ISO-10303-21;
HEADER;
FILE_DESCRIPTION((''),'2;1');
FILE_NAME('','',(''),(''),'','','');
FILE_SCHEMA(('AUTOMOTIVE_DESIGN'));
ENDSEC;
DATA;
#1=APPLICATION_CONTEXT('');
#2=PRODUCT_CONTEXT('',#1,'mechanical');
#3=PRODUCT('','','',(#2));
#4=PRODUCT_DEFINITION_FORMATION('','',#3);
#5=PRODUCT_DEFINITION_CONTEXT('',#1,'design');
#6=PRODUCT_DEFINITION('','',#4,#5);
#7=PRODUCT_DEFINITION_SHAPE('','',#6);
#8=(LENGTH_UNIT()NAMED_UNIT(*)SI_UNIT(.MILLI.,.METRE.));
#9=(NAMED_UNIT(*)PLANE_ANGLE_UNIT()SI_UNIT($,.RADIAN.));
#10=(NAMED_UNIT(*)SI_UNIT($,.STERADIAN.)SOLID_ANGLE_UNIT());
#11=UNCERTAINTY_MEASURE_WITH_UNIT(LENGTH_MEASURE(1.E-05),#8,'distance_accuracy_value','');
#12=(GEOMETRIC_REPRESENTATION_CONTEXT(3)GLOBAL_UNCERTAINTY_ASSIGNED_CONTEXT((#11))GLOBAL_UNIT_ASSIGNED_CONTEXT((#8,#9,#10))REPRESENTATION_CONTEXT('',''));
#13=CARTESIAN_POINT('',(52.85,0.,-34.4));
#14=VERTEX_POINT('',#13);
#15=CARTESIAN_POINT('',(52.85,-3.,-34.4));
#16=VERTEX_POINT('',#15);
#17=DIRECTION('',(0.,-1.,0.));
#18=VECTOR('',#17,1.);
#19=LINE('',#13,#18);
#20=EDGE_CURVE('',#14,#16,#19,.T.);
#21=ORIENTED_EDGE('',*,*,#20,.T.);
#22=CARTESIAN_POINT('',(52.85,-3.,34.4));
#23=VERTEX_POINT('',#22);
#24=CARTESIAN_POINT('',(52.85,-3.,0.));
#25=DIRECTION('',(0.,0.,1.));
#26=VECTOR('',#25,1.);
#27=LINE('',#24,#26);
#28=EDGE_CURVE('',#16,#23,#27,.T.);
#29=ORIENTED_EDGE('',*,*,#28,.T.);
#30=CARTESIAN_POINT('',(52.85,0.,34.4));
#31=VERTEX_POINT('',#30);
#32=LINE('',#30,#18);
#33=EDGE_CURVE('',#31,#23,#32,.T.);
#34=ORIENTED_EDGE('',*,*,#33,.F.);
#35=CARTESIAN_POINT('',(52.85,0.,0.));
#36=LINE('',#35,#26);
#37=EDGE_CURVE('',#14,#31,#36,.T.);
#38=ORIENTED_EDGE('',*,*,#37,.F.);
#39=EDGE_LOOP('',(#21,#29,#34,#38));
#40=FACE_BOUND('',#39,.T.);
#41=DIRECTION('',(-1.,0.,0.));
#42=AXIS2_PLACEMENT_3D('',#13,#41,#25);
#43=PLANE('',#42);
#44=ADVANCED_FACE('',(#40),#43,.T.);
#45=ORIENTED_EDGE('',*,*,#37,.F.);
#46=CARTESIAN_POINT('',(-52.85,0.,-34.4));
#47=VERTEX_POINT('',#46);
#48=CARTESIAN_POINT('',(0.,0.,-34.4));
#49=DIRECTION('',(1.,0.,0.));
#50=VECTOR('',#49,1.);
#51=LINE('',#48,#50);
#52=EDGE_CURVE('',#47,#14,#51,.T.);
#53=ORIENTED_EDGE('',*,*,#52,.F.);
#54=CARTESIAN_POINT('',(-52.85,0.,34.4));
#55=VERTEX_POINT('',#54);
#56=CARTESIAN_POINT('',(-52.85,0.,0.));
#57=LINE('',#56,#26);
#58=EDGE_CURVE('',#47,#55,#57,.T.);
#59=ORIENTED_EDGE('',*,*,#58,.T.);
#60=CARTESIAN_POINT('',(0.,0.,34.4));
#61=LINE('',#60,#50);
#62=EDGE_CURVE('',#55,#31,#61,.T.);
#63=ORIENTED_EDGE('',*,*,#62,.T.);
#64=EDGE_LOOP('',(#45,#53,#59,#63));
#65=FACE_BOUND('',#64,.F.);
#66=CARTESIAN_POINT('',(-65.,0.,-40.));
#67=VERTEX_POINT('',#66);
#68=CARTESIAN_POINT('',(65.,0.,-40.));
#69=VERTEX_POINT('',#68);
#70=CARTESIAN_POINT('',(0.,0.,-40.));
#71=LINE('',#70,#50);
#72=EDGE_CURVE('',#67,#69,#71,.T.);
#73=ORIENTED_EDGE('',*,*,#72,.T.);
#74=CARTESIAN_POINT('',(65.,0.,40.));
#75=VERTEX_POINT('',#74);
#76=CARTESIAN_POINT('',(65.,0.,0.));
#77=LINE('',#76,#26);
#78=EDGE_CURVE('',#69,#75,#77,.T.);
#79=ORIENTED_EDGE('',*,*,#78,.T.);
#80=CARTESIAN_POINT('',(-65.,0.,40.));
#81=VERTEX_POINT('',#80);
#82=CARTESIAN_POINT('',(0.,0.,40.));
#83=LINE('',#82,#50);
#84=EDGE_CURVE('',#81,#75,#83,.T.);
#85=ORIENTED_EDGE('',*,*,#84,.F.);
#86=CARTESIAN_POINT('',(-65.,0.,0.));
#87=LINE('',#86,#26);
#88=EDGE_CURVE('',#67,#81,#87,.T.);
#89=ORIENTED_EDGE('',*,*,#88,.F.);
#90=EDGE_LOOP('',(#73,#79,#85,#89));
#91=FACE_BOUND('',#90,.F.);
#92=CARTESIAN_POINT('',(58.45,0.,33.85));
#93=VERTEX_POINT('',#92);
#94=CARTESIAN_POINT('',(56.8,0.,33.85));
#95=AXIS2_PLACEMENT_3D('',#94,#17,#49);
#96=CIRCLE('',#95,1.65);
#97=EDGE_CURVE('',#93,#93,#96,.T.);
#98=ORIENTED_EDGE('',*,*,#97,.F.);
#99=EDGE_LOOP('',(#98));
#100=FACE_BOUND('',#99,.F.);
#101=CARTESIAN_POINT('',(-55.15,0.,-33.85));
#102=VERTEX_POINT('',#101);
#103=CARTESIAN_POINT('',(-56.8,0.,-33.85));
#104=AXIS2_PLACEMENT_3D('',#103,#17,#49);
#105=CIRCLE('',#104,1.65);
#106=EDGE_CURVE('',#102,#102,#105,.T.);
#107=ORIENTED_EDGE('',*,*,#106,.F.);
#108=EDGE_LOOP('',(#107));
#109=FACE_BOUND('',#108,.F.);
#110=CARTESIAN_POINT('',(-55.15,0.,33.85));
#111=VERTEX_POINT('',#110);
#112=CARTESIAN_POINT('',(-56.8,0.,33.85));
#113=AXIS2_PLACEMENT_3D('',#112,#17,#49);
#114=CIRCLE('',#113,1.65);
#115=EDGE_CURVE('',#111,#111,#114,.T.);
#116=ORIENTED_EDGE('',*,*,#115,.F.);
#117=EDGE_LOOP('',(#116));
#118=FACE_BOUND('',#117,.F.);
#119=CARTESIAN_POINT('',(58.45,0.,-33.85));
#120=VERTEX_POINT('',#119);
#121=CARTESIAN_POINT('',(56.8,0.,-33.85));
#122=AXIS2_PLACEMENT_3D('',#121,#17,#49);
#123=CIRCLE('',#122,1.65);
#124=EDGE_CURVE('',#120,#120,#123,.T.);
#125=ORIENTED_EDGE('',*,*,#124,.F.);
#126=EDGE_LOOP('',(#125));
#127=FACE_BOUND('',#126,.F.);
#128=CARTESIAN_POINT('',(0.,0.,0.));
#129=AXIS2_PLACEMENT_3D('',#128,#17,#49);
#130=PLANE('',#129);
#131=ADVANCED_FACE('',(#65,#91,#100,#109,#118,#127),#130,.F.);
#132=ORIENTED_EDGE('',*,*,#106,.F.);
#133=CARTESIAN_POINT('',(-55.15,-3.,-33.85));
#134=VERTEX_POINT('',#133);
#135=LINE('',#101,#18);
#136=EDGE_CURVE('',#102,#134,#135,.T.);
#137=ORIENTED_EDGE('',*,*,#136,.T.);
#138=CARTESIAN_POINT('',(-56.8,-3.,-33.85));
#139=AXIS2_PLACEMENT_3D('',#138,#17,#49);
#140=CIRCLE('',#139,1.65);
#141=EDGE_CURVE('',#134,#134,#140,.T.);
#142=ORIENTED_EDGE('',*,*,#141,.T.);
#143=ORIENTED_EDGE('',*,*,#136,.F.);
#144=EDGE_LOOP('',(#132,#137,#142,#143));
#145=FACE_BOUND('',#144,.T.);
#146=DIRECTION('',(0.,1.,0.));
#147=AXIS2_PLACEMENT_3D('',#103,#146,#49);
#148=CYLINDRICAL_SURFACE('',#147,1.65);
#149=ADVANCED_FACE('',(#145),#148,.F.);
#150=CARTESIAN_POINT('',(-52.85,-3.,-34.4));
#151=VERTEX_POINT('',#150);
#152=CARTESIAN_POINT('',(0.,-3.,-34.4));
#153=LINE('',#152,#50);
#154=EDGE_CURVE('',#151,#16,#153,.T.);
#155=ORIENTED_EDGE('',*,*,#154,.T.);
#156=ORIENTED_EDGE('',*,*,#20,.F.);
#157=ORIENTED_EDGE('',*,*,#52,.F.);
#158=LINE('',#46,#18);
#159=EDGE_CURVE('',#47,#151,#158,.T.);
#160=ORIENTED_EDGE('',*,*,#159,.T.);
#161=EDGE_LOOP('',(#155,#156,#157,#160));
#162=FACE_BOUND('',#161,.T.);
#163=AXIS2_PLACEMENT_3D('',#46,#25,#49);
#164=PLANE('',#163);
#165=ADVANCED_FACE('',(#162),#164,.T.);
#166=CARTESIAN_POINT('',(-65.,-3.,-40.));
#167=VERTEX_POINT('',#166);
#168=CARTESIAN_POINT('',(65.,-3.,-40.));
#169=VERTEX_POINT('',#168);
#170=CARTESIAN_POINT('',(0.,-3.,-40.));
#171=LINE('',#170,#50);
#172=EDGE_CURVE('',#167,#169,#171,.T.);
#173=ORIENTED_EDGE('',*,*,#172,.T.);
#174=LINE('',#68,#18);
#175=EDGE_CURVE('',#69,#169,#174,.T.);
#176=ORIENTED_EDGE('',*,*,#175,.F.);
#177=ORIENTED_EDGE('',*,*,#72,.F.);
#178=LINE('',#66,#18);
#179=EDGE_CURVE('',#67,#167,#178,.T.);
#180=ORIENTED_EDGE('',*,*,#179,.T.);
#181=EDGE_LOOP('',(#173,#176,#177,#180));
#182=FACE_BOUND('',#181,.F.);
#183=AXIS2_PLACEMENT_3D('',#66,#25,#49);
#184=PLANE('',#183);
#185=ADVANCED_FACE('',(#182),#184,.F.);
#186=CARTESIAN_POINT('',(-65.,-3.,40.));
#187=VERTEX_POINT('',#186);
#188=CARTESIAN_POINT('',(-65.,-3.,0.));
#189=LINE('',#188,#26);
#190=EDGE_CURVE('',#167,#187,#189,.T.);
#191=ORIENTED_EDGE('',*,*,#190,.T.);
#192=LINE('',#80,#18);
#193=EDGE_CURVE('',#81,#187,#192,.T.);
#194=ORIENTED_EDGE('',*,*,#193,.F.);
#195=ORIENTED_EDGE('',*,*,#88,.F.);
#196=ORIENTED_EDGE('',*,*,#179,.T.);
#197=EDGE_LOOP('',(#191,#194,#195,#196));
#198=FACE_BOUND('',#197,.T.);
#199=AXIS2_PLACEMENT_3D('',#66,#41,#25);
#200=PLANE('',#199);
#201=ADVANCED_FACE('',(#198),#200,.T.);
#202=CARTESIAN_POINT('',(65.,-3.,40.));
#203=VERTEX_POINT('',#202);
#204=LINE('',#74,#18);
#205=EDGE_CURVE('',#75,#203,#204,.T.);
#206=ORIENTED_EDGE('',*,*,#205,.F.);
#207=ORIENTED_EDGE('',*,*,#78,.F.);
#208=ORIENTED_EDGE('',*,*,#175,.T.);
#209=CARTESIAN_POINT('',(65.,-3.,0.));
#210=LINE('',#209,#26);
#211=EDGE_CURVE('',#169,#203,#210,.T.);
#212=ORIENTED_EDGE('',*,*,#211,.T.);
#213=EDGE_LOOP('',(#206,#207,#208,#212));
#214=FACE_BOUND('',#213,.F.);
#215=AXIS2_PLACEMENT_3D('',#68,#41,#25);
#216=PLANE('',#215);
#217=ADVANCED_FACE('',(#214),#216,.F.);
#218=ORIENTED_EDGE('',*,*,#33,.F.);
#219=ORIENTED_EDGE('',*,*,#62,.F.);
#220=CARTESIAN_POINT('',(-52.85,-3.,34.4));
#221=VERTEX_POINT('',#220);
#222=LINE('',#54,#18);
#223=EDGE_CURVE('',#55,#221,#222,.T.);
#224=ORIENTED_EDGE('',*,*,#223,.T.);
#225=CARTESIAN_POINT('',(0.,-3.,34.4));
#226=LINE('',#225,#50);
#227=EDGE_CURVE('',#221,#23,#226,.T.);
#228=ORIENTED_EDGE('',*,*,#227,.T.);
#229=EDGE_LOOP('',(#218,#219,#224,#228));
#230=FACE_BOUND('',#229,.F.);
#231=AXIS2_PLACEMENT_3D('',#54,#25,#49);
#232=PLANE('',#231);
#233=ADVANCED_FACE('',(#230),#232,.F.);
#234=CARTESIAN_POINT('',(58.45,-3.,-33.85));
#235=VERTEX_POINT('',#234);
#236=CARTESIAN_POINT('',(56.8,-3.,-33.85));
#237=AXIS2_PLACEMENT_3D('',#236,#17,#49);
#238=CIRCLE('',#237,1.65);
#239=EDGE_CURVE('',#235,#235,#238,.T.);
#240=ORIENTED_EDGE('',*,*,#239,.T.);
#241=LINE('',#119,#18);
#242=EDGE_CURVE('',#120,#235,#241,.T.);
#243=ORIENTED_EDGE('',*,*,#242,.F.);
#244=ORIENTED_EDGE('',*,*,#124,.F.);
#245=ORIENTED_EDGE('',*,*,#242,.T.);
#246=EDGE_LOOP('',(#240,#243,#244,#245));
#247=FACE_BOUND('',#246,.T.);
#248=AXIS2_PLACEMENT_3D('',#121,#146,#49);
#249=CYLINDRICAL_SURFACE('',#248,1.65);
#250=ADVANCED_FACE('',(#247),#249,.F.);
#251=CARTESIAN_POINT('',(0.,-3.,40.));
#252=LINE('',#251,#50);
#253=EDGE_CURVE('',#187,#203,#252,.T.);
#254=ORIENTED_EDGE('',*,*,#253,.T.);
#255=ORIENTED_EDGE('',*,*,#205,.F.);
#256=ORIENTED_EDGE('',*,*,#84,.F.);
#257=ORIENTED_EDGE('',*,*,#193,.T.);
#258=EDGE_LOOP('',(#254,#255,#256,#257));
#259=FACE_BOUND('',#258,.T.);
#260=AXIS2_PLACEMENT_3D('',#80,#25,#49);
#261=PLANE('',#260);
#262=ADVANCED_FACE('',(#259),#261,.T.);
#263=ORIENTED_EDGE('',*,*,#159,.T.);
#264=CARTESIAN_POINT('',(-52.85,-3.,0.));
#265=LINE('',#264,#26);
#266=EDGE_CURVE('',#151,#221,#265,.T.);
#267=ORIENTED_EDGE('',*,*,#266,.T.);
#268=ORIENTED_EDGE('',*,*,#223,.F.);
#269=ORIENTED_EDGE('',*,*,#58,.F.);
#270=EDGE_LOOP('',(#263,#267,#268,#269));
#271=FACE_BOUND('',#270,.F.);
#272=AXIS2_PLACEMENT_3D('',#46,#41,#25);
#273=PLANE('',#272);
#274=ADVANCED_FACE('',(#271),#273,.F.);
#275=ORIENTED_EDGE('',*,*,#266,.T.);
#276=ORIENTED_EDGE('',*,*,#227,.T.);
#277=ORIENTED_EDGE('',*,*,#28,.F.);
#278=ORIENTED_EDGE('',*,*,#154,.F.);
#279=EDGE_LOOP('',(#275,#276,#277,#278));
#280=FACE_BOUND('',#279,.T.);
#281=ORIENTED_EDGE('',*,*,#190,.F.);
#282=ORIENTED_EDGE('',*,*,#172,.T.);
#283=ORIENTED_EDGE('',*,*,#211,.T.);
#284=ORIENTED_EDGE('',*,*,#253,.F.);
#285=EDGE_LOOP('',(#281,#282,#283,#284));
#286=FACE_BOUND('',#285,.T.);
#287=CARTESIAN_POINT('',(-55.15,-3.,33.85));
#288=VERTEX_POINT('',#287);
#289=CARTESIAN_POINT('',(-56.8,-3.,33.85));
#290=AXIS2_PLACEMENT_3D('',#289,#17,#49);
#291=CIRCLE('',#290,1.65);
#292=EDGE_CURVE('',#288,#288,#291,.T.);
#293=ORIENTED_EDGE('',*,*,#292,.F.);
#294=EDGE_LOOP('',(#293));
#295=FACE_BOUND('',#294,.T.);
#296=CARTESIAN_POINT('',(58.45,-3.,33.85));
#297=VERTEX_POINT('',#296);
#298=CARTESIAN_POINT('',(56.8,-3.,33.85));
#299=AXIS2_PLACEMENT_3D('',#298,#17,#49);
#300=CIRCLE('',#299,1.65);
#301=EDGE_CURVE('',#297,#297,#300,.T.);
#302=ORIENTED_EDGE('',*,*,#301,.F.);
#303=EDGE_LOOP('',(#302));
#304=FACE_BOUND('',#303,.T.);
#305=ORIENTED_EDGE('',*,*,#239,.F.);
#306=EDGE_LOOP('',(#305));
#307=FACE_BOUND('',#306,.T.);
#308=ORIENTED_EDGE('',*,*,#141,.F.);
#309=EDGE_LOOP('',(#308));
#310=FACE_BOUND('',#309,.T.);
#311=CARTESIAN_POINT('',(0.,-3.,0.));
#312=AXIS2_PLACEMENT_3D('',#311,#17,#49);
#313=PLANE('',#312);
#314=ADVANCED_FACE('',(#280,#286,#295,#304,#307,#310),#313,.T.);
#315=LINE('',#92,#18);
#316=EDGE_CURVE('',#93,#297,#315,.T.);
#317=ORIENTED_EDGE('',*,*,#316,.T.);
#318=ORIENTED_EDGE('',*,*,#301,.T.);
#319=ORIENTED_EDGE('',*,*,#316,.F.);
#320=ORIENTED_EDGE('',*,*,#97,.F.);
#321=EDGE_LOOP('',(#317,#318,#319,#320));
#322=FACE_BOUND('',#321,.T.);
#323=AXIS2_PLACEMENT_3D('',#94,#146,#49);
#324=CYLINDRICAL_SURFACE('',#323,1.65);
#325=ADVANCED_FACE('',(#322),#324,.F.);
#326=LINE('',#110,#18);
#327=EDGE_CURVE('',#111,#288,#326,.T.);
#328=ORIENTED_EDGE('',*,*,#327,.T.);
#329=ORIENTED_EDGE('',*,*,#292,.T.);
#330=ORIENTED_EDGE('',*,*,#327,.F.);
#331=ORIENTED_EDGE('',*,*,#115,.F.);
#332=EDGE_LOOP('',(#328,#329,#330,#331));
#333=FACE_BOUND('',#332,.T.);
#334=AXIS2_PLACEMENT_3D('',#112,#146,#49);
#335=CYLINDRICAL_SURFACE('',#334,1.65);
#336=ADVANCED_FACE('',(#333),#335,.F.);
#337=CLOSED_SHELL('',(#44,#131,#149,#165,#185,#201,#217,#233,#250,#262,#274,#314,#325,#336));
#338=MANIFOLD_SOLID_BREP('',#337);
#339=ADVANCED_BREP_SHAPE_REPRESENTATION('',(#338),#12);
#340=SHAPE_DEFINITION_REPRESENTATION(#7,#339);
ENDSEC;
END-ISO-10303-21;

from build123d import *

# Parameters (mm, degrees)
F0_W     = 130
F0_H     = 80
F0_R     = 1.65
F0_W_2   = 105.7
F0_H_2   = 68.8
F1_DEPTH = 3


with BuildPart() as f1:
    # F0 (on Front) → F1 (new body)
    with BuildSketch(Plane.XZ):
        Rectangle(F0_W, F0_H)
        with Locations((-56.8, -33.85)):
            Circle(F0_R, mode=Mode.SUBTRACT)
        with Locations((56.8, -33.85)):
            Circle(F0_R, mode=Mode.SUBTRACT)
        with Locations((-56.8, 33.85)):
            Circle(F0_R, mode=Mode.SUBTRACT)
        Rectangle(F0_W_2, F0_H_2, mode=Mode.SUBTRACT)
        with Locations((56.8, 33.85)):
            Circle(F0_R, mode=Mode.SUBTRACT)
    extrude(amount=F1_DEPTH)


solid = f1.part
